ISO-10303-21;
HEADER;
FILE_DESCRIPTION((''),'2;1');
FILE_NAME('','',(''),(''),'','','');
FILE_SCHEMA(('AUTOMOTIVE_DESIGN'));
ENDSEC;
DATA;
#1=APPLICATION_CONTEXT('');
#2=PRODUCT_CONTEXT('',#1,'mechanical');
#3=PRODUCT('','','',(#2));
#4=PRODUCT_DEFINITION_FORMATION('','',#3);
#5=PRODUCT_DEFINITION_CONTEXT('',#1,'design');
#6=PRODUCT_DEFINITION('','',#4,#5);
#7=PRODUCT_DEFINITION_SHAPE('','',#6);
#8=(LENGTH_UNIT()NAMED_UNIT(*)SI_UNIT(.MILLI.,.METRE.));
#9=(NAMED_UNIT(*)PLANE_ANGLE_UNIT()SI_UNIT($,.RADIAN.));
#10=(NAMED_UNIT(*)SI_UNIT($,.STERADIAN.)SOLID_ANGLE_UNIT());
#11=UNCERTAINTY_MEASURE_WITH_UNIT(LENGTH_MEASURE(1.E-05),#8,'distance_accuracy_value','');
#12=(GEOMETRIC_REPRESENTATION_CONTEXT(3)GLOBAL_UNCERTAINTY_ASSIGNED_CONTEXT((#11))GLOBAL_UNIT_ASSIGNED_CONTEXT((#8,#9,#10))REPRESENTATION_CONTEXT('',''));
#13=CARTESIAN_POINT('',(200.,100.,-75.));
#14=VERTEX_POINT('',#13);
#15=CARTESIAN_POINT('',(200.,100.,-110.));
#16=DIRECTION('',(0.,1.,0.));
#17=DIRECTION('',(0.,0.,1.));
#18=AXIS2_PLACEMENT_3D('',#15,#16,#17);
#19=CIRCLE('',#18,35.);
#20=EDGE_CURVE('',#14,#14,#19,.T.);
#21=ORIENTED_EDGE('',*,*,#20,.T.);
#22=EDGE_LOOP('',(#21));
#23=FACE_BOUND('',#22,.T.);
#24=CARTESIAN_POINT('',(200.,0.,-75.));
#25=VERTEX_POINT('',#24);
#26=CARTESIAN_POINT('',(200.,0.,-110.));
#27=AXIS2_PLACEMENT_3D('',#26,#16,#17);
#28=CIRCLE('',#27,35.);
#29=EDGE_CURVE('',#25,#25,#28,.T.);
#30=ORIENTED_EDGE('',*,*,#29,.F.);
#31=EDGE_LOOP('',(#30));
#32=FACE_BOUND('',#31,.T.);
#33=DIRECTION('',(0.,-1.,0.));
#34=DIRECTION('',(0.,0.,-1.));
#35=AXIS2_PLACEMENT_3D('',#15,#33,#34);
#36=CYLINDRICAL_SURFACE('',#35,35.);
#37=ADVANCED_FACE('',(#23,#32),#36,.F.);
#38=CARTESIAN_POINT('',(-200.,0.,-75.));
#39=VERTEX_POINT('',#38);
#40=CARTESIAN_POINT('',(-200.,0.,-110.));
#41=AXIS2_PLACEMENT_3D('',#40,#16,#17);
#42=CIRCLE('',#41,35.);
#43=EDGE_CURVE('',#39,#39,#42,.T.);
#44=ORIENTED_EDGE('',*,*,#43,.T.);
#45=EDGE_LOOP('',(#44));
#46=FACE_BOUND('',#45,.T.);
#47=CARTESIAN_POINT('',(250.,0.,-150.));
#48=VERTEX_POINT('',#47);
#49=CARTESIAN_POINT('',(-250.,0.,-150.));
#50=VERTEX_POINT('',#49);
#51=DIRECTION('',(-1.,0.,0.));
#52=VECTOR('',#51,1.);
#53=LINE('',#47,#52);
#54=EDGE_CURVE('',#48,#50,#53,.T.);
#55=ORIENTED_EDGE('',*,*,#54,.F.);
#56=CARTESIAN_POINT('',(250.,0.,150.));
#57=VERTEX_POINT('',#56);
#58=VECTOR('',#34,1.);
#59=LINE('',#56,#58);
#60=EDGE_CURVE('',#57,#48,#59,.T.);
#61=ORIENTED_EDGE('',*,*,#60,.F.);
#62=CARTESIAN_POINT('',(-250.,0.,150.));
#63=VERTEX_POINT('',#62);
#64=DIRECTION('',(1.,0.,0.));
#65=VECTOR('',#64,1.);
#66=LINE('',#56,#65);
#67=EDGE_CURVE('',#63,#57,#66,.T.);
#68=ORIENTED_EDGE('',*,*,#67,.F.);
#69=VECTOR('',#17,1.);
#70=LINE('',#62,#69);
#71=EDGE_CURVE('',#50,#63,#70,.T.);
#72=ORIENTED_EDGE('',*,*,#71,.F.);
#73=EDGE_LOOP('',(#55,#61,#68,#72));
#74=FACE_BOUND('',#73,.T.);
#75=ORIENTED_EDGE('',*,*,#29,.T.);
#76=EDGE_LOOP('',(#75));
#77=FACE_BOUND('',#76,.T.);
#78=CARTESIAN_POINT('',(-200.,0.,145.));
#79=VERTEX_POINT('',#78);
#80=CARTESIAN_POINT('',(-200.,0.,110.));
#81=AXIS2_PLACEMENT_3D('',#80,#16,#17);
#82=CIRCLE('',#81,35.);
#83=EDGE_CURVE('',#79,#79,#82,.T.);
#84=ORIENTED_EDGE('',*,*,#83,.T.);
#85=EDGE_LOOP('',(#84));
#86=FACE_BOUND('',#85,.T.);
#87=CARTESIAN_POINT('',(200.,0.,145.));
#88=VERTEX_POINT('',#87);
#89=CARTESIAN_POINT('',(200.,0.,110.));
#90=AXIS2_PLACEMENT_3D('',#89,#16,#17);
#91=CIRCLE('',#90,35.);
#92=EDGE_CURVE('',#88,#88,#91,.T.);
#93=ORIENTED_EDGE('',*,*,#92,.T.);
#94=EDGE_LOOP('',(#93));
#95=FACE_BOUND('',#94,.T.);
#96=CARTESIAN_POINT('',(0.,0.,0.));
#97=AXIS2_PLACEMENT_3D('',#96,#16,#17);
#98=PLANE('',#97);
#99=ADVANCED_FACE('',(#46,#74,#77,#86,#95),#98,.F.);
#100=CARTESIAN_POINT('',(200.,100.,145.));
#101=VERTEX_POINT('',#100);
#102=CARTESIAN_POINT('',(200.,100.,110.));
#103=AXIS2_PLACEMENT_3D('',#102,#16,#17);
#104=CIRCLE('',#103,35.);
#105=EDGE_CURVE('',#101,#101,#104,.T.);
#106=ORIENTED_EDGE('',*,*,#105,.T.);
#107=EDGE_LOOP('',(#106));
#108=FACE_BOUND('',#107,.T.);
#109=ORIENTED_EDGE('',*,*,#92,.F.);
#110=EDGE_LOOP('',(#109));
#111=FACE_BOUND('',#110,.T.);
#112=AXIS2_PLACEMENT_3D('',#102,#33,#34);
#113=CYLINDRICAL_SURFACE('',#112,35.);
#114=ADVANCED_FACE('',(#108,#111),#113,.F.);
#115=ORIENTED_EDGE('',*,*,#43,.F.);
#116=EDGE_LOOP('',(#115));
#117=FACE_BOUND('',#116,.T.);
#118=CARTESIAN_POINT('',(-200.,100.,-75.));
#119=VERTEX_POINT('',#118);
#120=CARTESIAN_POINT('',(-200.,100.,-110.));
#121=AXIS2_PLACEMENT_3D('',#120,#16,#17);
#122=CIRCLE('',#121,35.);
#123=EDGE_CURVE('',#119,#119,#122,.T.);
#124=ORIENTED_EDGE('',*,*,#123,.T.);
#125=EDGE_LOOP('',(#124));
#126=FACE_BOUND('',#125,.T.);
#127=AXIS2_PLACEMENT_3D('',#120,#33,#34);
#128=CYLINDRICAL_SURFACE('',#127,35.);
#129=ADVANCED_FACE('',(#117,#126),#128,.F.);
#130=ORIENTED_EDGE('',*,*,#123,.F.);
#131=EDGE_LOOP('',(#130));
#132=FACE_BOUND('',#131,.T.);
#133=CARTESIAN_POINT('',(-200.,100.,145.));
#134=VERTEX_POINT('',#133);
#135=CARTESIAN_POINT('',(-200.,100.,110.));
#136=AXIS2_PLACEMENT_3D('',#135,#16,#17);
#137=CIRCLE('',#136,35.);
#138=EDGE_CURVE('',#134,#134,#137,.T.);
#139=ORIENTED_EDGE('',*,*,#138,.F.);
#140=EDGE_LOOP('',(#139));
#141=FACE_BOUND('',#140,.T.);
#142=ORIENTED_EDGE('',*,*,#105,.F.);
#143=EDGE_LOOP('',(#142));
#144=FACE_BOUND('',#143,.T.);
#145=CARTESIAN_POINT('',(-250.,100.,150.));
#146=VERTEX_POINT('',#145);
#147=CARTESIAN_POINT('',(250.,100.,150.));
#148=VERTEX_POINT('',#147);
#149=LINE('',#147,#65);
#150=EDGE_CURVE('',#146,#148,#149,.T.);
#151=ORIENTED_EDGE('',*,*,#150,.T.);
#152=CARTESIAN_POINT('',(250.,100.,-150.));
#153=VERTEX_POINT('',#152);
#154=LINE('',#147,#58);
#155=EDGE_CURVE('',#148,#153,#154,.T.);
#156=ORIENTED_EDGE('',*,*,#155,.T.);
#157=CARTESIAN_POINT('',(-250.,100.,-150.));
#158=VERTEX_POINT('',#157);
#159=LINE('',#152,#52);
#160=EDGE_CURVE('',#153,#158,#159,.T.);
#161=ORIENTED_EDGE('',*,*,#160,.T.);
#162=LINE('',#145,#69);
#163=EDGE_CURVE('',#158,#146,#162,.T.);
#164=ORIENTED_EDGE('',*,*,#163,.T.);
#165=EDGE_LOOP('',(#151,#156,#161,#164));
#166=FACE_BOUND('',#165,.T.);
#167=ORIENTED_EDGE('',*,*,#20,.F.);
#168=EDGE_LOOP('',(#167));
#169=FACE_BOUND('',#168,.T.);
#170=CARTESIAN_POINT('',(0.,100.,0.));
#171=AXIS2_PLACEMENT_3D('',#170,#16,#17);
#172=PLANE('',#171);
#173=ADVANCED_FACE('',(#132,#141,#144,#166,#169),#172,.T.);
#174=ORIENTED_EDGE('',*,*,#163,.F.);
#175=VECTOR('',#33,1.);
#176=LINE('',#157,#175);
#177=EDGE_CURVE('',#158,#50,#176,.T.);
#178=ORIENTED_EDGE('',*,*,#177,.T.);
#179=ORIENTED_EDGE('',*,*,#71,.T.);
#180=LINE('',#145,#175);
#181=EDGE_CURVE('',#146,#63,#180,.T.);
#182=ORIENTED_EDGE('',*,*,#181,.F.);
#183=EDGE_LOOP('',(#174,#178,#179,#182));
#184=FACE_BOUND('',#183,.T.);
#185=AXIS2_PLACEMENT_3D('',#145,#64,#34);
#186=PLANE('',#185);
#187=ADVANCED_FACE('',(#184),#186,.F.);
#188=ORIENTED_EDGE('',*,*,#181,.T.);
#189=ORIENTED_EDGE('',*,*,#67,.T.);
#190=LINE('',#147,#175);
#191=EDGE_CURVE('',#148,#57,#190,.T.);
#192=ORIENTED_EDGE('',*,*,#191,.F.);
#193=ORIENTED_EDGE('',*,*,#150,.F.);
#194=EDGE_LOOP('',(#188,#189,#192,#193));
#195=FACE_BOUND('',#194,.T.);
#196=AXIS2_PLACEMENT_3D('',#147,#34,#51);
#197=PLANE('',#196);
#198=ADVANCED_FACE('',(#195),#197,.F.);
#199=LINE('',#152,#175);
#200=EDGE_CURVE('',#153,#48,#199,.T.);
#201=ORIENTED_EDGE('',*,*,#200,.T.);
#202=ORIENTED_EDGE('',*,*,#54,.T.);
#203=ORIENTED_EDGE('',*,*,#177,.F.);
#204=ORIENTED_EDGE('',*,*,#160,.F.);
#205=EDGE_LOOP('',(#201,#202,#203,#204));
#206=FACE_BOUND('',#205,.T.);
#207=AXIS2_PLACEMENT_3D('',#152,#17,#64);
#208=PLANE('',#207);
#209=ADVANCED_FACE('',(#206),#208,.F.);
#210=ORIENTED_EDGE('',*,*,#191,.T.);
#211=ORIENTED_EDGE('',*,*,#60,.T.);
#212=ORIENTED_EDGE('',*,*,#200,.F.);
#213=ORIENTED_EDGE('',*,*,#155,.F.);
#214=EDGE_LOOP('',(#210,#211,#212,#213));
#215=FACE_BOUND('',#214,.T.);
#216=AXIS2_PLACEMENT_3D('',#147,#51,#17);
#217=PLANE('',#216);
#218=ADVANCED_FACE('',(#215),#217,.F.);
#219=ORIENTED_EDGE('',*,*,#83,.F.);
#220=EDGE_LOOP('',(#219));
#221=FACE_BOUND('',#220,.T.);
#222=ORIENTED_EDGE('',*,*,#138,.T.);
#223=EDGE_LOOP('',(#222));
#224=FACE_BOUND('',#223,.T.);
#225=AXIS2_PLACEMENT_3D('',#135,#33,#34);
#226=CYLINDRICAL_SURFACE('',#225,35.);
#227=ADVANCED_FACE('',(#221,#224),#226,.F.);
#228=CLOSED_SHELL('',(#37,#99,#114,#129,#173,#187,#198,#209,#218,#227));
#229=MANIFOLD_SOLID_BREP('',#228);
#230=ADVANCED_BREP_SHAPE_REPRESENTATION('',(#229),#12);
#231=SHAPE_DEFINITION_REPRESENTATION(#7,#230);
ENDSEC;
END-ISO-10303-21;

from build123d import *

# Parameters (mm, degrees)
SKETCH1_W           = 500
SKETCH1_H           = 300
BOSS_EXTRUDE1_DEPTH = 100
SKETCH2_R           = 35
CUT_EXTRUDE2_DEPTH  = 309.220700148


with BuildPart() as part:
    # Sketch1 → Boss-Extrude1 (new body)
    with BuildSketch(Plane(origin=(0, 0, 0), x_dir=(1, 0, 0), z_dir=(0, 1, 0))):
        Rectangle(SKETCH1_W, SKETCH1_H)
    extrude(amount=BOSS_EXTRUDE1_DEPTH)

    # Sketch2 → Cut-Extrude2 (cut, through all)
    with BuildSketch(Plane(origin=(0, 0, 0), x_dir=(1, 0, 0), z_dir=(0, 1, 0))):
        with Locations(Location((-200, 110, 0), (0, 0, 270))):
            Circle(SKETCH2_R)
        with Locations(Location((200, 110, 0), (0, 0, 270))):
            Circle(SKETCH2_R)
        with Locations(Location((200, -110, 0), (0, 0, 270))):
            Circle(SKETCH2_R)
        with Locations(Location((-200, -110, 0), (0, 0, 270))):
            Circle(SKETCH2_R)
    extrude(amount=CUT_EXTRUDE2_DEPTH, mode=Mode.SUBTRACT)


solid = part.part
